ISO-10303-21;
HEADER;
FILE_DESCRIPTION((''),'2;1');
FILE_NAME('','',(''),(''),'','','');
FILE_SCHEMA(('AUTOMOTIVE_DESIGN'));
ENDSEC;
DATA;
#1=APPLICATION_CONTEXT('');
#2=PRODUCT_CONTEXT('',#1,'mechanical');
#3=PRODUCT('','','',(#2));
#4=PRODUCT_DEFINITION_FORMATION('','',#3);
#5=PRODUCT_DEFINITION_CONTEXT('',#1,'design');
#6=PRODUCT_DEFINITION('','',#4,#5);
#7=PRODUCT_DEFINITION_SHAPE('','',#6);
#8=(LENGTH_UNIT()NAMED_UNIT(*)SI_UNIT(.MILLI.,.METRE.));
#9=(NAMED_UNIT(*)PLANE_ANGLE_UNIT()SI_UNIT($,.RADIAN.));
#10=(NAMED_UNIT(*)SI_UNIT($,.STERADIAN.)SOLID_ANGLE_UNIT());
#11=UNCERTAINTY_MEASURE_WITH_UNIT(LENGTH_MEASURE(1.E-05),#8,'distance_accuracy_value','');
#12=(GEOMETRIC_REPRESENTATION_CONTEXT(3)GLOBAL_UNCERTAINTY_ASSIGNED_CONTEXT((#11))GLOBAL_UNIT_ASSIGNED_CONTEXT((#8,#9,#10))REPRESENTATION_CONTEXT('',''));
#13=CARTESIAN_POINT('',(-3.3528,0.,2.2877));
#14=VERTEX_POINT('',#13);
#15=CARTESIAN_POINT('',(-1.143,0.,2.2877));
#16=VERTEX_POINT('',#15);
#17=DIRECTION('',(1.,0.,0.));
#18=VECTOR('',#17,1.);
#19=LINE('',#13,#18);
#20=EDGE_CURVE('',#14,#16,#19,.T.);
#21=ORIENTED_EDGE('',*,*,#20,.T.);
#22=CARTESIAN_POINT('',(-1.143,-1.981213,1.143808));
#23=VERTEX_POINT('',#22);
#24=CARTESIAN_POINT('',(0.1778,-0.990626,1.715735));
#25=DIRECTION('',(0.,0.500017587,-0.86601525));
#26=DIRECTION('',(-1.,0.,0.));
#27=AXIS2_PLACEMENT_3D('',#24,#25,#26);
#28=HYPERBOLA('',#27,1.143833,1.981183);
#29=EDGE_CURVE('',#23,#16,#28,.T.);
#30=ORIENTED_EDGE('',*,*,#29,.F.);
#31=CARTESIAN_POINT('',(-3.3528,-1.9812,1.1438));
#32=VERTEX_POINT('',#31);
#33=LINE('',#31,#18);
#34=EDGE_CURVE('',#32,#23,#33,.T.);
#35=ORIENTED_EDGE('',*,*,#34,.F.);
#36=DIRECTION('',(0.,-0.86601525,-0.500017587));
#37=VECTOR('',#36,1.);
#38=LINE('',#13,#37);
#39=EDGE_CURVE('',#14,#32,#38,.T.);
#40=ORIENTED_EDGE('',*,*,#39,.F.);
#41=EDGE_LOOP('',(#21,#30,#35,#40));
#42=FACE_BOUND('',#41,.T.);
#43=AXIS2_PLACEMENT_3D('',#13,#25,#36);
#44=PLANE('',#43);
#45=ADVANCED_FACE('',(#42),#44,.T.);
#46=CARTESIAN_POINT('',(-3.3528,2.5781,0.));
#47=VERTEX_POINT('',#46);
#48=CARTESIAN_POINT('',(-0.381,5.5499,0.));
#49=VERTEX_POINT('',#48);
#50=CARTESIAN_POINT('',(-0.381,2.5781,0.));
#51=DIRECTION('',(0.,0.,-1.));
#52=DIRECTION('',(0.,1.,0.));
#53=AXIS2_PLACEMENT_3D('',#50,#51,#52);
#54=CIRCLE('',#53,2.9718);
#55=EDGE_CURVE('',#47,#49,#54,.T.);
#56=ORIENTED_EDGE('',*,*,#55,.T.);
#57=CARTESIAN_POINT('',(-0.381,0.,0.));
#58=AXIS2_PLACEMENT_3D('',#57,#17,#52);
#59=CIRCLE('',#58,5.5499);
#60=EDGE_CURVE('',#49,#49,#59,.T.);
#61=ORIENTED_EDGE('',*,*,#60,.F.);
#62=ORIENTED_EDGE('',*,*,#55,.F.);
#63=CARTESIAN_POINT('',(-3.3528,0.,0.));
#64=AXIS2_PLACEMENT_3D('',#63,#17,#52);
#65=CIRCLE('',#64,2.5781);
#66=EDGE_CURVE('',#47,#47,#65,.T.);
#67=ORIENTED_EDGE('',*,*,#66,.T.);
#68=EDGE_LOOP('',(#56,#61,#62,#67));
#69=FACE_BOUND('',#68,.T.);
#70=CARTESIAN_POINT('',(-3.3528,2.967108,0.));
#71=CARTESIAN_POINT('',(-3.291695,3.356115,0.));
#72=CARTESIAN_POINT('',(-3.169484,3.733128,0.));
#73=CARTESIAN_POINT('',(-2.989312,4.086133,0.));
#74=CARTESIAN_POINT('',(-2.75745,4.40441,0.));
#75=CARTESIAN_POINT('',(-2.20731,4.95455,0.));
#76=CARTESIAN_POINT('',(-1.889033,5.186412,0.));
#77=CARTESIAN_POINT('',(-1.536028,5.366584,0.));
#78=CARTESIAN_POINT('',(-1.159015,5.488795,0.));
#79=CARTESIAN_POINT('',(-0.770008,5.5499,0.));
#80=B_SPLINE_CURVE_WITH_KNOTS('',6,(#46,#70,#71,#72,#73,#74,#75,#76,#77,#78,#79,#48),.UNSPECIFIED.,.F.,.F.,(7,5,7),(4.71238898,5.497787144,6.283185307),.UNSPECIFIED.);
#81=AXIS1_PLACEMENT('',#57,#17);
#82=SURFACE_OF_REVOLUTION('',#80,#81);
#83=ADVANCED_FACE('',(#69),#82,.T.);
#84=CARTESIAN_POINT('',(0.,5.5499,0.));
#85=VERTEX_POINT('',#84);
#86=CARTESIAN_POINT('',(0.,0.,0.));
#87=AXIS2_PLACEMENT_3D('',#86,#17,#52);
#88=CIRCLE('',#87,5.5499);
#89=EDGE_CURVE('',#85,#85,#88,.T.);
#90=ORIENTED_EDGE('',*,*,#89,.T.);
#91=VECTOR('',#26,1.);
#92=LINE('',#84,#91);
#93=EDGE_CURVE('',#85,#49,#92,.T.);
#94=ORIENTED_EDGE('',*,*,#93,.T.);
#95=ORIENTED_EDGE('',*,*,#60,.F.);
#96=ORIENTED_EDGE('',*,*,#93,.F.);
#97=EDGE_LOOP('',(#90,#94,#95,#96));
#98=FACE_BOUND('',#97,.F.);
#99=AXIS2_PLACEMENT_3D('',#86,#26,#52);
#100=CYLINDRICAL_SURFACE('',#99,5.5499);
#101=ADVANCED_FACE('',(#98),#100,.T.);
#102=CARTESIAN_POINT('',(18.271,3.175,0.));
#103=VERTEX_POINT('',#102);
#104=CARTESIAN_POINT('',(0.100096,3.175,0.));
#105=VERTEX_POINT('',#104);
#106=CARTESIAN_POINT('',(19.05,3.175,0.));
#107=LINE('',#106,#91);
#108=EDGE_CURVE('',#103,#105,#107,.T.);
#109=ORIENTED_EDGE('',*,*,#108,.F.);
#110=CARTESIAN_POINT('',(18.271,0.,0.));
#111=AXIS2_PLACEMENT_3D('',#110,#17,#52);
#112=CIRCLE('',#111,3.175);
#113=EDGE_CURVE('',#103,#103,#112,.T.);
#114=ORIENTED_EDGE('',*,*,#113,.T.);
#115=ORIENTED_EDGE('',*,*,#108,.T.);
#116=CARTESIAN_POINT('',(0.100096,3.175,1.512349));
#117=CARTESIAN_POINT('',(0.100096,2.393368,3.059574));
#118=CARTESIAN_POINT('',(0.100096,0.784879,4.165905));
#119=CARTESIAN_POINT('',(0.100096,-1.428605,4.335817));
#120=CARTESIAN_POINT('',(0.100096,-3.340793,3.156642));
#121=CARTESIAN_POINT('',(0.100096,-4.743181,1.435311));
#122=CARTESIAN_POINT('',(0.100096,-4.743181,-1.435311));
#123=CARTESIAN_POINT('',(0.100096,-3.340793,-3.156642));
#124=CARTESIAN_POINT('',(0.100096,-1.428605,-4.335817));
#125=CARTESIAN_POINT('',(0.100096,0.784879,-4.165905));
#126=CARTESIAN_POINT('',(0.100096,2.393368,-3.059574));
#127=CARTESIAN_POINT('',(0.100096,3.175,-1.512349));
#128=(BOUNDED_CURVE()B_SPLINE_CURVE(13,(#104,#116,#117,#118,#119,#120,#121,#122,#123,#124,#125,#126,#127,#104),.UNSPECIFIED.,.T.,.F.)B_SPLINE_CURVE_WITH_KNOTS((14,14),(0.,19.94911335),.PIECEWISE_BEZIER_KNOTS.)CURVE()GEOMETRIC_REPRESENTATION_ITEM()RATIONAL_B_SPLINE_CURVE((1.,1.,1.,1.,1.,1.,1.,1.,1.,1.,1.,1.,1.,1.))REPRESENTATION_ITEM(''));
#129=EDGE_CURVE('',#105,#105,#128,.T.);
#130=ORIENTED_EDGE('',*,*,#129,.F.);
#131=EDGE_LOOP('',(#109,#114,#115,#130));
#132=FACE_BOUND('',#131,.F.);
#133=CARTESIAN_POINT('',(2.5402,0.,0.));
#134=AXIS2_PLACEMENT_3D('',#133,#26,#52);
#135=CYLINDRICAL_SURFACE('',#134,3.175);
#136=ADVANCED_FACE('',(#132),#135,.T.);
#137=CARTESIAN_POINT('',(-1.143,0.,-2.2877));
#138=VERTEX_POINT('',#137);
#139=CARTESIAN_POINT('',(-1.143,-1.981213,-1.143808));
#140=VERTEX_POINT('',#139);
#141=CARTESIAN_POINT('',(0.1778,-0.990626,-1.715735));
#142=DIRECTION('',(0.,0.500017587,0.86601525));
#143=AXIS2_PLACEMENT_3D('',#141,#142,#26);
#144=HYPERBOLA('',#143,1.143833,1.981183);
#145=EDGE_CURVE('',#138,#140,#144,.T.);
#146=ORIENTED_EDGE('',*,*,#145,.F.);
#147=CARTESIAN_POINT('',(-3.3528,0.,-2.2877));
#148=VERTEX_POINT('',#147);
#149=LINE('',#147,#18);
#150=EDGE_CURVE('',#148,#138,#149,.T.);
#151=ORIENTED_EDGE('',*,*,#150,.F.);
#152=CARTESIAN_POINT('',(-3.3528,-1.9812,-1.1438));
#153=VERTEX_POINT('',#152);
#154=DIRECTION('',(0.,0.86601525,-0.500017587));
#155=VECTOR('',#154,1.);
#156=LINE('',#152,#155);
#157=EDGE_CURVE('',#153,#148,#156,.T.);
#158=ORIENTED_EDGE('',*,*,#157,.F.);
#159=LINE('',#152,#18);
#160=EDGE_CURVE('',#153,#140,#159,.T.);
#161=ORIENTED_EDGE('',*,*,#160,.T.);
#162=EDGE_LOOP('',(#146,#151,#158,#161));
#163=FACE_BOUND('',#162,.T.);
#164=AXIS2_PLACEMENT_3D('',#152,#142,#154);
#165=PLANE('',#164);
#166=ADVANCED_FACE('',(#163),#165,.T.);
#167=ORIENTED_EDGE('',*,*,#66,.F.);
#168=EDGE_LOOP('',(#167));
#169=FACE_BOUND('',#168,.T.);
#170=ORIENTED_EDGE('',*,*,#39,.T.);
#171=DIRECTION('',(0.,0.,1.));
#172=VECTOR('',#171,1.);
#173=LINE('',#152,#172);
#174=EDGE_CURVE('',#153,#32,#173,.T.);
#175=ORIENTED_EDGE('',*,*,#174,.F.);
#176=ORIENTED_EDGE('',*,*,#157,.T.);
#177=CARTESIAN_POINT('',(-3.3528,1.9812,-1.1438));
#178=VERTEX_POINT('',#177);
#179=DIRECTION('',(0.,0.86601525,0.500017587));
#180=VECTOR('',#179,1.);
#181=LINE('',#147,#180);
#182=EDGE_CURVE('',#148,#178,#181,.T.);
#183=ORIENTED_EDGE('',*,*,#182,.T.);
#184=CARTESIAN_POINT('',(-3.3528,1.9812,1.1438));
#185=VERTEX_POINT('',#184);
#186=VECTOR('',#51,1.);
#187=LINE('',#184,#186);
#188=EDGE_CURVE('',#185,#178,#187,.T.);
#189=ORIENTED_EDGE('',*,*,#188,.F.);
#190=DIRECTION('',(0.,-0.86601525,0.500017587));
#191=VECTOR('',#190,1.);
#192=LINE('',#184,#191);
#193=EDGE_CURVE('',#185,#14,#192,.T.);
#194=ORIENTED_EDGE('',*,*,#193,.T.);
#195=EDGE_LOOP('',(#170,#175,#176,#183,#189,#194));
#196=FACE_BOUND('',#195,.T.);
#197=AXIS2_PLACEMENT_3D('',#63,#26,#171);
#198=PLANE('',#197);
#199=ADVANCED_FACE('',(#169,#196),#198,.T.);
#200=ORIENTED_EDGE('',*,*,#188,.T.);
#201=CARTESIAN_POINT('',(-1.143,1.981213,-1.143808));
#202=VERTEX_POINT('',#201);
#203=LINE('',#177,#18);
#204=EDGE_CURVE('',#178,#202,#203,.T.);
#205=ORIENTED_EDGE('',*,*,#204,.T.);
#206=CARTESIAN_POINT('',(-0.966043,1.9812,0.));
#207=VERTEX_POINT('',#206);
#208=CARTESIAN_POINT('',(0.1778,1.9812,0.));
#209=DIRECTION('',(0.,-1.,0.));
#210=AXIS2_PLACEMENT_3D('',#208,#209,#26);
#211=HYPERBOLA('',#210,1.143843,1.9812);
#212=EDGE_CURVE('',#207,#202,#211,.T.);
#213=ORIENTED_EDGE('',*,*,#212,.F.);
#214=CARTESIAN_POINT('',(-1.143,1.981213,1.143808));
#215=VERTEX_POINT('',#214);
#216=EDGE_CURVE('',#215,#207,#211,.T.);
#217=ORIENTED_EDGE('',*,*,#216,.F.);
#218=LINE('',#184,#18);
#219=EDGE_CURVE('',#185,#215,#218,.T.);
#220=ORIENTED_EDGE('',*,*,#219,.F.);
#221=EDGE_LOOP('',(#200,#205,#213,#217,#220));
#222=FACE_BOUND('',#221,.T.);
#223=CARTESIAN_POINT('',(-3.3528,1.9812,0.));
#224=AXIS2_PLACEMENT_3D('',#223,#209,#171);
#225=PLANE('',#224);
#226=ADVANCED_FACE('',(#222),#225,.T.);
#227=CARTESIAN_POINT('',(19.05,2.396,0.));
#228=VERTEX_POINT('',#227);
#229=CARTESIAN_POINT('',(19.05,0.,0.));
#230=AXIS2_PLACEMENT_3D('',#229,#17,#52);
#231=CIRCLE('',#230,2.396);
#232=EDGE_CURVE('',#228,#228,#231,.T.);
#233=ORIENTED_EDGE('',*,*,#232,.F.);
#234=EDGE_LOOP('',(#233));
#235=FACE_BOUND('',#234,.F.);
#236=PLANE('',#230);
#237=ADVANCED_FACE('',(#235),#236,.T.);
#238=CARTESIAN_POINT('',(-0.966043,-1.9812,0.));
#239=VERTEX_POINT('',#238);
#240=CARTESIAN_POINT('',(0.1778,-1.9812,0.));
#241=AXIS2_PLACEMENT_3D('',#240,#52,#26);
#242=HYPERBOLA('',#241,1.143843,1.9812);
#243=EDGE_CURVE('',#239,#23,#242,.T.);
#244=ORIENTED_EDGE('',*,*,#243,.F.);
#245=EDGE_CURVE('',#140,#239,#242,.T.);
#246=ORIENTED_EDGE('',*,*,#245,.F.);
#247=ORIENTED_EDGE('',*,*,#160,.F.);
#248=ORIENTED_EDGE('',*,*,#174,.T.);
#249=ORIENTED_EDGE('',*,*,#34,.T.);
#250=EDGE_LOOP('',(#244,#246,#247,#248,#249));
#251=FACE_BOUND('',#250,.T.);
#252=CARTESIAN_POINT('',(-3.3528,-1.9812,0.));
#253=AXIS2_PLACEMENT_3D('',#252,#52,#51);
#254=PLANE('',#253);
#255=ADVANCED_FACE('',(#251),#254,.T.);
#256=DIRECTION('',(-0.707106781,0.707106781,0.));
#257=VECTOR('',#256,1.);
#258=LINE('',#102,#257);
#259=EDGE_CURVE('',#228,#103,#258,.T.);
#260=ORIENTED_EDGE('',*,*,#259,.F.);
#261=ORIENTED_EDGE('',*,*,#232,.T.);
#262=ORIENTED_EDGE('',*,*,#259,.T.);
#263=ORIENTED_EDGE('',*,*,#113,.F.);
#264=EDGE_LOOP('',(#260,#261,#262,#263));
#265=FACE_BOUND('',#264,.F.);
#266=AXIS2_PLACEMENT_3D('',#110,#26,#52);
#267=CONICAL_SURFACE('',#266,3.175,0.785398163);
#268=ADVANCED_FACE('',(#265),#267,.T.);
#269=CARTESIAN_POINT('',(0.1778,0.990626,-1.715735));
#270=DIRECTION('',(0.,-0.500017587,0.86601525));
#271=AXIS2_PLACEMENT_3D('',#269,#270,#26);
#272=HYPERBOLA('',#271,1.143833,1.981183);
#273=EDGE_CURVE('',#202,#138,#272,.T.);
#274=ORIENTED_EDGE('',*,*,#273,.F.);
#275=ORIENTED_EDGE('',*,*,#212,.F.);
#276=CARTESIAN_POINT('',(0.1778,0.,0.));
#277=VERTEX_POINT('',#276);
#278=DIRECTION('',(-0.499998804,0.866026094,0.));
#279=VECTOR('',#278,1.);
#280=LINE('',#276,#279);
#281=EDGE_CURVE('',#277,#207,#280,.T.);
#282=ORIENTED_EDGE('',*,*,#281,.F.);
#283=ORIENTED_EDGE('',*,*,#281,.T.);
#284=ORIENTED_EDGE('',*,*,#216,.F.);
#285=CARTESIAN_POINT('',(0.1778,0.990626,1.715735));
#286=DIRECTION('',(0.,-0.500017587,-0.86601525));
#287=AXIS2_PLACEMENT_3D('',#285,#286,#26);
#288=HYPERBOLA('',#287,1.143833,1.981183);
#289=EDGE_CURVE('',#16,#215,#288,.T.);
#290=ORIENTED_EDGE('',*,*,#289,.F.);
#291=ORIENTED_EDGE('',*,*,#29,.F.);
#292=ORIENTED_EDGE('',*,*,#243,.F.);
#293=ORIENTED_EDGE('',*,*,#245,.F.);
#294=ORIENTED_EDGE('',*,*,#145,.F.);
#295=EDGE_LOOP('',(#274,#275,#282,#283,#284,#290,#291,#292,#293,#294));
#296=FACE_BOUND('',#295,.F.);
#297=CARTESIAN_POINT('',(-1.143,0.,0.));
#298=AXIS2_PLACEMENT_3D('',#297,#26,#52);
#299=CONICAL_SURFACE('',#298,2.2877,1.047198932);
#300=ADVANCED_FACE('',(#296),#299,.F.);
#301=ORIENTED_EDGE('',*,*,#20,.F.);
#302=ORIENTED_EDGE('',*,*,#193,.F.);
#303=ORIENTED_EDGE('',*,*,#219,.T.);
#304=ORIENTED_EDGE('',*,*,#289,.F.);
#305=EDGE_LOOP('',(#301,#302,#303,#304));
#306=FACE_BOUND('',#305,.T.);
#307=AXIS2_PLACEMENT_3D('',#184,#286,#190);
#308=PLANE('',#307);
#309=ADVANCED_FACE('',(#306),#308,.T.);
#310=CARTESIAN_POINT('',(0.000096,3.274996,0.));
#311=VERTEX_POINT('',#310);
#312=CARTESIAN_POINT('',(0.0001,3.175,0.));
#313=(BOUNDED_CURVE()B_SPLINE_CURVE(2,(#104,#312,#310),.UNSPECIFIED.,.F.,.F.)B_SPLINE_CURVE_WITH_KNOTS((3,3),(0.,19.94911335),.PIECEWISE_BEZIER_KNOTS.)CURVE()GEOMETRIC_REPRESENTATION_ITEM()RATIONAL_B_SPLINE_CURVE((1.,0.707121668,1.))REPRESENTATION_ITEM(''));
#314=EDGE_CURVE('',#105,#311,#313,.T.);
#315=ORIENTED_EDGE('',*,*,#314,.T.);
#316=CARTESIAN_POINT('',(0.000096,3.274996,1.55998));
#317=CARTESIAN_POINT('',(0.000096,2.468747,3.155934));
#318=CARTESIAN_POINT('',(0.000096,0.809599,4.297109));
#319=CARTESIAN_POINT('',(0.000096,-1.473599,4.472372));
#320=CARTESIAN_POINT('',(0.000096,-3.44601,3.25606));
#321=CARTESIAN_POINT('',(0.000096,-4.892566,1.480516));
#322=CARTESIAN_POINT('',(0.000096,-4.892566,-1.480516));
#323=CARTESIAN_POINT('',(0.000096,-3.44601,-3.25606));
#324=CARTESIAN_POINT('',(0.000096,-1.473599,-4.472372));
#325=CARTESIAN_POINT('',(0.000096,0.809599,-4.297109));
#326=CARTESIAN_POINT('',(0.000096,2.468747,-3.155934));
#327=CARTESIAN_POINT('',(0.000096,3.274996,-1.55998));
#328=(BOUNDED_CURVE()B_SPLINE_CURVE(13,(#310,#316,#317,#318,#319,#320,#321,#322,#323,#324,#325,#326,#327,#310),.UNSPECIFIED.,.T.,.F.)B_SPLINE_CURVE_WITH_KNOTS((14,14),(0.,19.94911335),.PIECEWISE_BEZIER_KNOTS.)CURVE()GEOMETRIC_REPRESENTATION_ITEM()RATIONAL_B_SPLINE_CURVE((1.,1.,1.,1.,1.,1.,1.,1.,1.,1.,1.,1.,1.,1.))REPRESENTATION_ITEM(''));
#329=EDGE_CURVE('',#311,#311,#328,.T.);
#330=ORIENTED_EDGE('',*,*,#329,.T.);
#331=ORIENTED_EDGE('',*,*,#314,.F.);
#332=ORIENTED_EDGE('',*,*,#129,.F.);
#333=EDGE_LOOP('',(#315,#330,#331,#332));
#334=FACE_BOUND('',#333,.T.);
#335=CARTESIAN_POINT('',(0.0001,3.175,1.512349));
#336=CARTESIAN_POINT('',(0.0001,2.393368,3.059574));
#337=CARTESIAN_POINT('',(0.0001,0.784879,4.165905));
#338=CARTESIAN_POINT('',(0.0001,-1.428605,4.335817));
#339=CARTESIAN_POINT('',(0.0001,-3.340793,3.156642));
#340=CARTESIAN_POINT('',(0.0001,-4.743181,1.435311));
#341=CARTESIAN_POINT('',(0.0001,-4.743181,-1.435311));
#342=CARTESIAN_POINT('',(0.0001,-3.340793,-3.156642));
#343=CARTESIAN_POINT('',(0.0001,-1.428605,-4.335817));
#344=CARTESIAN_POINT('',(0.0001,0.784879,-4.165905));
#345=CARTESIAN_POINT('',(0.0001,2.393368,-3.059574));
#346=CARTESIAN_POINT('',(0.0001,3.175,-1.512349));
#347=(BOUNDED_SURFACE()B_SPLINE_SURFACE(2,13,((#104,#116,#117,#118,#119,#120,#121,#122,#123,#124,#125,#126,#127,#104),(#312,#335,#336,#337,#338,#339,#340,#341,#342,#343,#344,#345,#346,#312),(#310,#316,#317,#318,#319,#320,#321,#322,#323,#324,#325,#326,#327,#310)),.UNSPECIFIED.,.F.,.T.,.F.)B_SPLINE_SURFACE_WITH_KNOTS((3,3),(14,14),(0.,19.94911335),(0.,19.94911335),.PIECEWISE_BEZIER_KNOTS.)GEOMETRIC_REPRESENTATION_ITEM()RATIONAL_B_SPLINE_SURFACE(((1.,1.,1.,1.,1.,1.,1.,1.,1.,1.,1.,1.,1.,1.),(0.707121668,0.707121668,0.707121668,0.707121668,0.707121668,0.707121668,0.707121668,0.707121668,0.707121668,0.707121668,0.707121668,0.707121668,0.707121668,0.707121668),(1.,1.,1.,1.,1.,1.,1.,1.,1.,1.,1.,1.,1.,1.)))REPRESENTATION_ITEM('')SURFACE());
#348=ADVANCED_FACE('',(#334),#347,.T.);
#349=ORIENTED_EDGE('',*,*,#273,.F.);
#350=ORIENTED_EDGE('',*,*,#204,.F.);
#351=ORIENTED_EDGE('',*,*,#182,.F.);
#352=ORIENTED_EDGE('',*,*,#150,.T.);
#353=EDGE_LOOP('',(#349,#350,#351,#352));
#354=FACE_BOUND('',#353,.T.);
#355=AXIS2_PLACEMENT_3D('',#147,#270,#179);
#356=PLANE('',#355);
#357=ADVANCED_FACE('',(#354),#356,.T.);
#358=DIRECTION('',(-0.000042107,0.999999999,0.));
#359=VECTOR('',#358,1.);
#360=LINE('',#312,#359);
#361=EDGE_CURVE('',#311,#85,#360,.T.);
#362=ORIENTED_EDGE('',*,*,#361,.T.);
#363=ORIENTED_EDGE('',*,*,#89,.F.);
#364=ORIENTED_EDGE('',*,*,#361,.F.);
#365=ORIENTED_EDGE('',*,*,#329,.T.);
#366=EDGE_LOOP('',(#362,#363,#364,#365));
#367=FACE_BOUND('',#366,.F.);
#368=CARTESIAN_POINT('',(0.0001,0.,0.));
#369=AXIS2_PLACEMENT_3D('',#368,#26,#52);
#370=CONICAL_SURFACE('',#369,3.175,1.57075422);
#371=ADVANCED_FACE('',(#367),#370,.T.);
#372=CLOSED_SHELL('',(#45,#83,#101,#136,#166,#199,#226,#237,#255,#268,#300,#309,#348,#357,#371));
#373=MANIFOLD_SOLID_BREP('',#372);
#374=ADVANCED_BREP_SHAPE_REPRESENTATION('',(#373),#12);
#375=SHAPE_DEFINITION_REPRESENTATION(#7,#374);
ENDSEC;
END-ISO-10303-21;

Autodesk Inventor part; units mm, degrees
ref_plane "YZ Plane" through (0, 0, 0) normal (1, 0, 0) x (0, 1, 0)
ref_plane "XZ Plane" through (0, 0, 0) normal (0, 1, 0) x (-1, 0, 0)
sketch "Sketch1" plane through (0, 0, 0) normal (0, 0, 1) x (1, 0, 0)
  line L0 (0.1778, 0) -> (19.05, 0)
  line L1 (19.05, 0) -> (19.05, 3.175)
  line L2 (19.05, 3.175) -> (2.5402, 3.175)
  line L3 (2.5402, 3.175) -> (0.0001, 3.175)
  line L4 (0.0001, 3.175) -> (0, 3.175)
  line L5 (0, 3.175) -> (0, 5.5499)
  line L6 (0, 5.5499) -> (-3.3528, 5.5499)
  line L7 (-3.3528, 5.5499) -> (-3.3528, 2.2877)
  line L8 (-3.3528, 2.2877) -> (-1.143, 2.2877)
  line L9 (-1.143, 2.2877) -> (0.1778, 0)
  line L10 (-7.8334, 0) -> (23.5306, 0) projected
  line L11 (0, -1.11) -> (0, 6.6599) projected
  line L12 (2.5402, 3.175) -> (0, 3.175) construction
  dimension "d1" = 16.5098
  dimension "d2" = 2.5401
  dimension "d3" = 3.3528
  dimension "d4" = 2.2098
  dimension "d5" = 60
  dimension "d6" = 6.35
  dimension "d7" = 6.35
  dimension "d8" = 4.5754
  dimension "d9" = 11.0998
  dimension "d26" = 19.05
revolve "Body" add sketch "Sketch1" angle 360 about axis through (0.1778, 0, 0) along (1, 0, 0) contours L9 L11 L3 L2 L1 L0 | L9 L8 L7 L6 L5 L11
sketch "Sketch2" plane through (-3.3528, 0, 0) normal (-1, 0, 0) x (0, 0, 1)
  circle A0 centre (0, 0) radius 2.2877 projected
  line L0 (0, -7.7699) -> (0, 7.7699) projected
  line L1 (-7.7699, 0) -> (7.7699, 0) projected
  line L2 (2.2877, 0) -> (1.1438, -1.9812)
  line L3 (1.1438, -1.9812) -> (-1.1438, -1.9812)
  line L4 (-1.1438, -1.9812) -> (-2.2877, 0)
  line L5 (-2.2877, 0) -> (-1.1438, 1.9812)
  line L6 (-1.1438, 1.9812) -> (1.1438, 1.9812)
  line L7 (1.1438, 1.9812) -> (2.2877, 0)
extrude "Slot" add sketch "Sketch2" against normal up to next contours L7 A0 | A0 L2 | L6 L0 A0 | A0 L0 L3 | L0 L6 A0 | A0 L3 L0 | L4 A0 | A0 L5
fillet "Fillet1" radius 2.9718 1 edges at (-3.3528, -5.5499, 0)
thread "Thread" size "1/4-20 UNC" class "2A" standard "ANSI Unified Screw Threads" length 16.5098
chamfer "Chamfer1" distance 0.779 distance2 0.779 1 edges at (19.05, -3.175, 0) measured on face at (19.05, 0.0983, -0.8099)
ref_plane "Work Plane1" through (29, 0, 0) normal (0, -1, 0) x (1, 0, 0)
fillet "Fillet2" radius 0.1 1 edges at (0.0001, -3.175, 0)
equation "\"d30\" = R"
equation "\"d17\" = RR"
equation "\"d13\" = GEL"
equation "\"d15\" = -0.5 * SPD + 0.5 * GD"
equation "\"d16\" = GUL"
equation "\"d1\" = GEL"
equation "\"d3\" = KOH"
equation "\"d4\" = INTI"
equation "\"d6\" = GD"
equation "\"d7\" = BDM"
equation "\"d8\" = 1.1547 * SW"
equation "\"d9\" = KOD"
equation "\"d26\" = NLG"
equation "\"GD\" = NND"
equation "\"NLG\" = 19.05"
equation "\"GEL\" = 16.5098"
equation "\"KOD\" = 11.0998"
equation "\"KOH\" = 3.3528"
equation "\"INTI\" = 2.2098"
equation "\"GAL\" = 2.54"
equation "\"GUL\" = 0.77902"
equation "\"BDM\" = NND"
equation "\"SW\" = 3.9624"
equation "\"RR\" = 2.9718"
equation "\"SPD\" = 4.79196"
equation "\"R\" = 0.1"
equation "\"TOA\" = 30deg"
equation "\"GD1\" = SPD"
equation "\"THREADDIA\" = 6.35"
equation "\"KOH1\" = 0.7874"
equation "\"NND\" = 6.35"
equation "\"E0\" = 4.57657"
properties part number "ANSI B18.3 - 1/4 - 20 x 3/4" material "Steel, Mild"
